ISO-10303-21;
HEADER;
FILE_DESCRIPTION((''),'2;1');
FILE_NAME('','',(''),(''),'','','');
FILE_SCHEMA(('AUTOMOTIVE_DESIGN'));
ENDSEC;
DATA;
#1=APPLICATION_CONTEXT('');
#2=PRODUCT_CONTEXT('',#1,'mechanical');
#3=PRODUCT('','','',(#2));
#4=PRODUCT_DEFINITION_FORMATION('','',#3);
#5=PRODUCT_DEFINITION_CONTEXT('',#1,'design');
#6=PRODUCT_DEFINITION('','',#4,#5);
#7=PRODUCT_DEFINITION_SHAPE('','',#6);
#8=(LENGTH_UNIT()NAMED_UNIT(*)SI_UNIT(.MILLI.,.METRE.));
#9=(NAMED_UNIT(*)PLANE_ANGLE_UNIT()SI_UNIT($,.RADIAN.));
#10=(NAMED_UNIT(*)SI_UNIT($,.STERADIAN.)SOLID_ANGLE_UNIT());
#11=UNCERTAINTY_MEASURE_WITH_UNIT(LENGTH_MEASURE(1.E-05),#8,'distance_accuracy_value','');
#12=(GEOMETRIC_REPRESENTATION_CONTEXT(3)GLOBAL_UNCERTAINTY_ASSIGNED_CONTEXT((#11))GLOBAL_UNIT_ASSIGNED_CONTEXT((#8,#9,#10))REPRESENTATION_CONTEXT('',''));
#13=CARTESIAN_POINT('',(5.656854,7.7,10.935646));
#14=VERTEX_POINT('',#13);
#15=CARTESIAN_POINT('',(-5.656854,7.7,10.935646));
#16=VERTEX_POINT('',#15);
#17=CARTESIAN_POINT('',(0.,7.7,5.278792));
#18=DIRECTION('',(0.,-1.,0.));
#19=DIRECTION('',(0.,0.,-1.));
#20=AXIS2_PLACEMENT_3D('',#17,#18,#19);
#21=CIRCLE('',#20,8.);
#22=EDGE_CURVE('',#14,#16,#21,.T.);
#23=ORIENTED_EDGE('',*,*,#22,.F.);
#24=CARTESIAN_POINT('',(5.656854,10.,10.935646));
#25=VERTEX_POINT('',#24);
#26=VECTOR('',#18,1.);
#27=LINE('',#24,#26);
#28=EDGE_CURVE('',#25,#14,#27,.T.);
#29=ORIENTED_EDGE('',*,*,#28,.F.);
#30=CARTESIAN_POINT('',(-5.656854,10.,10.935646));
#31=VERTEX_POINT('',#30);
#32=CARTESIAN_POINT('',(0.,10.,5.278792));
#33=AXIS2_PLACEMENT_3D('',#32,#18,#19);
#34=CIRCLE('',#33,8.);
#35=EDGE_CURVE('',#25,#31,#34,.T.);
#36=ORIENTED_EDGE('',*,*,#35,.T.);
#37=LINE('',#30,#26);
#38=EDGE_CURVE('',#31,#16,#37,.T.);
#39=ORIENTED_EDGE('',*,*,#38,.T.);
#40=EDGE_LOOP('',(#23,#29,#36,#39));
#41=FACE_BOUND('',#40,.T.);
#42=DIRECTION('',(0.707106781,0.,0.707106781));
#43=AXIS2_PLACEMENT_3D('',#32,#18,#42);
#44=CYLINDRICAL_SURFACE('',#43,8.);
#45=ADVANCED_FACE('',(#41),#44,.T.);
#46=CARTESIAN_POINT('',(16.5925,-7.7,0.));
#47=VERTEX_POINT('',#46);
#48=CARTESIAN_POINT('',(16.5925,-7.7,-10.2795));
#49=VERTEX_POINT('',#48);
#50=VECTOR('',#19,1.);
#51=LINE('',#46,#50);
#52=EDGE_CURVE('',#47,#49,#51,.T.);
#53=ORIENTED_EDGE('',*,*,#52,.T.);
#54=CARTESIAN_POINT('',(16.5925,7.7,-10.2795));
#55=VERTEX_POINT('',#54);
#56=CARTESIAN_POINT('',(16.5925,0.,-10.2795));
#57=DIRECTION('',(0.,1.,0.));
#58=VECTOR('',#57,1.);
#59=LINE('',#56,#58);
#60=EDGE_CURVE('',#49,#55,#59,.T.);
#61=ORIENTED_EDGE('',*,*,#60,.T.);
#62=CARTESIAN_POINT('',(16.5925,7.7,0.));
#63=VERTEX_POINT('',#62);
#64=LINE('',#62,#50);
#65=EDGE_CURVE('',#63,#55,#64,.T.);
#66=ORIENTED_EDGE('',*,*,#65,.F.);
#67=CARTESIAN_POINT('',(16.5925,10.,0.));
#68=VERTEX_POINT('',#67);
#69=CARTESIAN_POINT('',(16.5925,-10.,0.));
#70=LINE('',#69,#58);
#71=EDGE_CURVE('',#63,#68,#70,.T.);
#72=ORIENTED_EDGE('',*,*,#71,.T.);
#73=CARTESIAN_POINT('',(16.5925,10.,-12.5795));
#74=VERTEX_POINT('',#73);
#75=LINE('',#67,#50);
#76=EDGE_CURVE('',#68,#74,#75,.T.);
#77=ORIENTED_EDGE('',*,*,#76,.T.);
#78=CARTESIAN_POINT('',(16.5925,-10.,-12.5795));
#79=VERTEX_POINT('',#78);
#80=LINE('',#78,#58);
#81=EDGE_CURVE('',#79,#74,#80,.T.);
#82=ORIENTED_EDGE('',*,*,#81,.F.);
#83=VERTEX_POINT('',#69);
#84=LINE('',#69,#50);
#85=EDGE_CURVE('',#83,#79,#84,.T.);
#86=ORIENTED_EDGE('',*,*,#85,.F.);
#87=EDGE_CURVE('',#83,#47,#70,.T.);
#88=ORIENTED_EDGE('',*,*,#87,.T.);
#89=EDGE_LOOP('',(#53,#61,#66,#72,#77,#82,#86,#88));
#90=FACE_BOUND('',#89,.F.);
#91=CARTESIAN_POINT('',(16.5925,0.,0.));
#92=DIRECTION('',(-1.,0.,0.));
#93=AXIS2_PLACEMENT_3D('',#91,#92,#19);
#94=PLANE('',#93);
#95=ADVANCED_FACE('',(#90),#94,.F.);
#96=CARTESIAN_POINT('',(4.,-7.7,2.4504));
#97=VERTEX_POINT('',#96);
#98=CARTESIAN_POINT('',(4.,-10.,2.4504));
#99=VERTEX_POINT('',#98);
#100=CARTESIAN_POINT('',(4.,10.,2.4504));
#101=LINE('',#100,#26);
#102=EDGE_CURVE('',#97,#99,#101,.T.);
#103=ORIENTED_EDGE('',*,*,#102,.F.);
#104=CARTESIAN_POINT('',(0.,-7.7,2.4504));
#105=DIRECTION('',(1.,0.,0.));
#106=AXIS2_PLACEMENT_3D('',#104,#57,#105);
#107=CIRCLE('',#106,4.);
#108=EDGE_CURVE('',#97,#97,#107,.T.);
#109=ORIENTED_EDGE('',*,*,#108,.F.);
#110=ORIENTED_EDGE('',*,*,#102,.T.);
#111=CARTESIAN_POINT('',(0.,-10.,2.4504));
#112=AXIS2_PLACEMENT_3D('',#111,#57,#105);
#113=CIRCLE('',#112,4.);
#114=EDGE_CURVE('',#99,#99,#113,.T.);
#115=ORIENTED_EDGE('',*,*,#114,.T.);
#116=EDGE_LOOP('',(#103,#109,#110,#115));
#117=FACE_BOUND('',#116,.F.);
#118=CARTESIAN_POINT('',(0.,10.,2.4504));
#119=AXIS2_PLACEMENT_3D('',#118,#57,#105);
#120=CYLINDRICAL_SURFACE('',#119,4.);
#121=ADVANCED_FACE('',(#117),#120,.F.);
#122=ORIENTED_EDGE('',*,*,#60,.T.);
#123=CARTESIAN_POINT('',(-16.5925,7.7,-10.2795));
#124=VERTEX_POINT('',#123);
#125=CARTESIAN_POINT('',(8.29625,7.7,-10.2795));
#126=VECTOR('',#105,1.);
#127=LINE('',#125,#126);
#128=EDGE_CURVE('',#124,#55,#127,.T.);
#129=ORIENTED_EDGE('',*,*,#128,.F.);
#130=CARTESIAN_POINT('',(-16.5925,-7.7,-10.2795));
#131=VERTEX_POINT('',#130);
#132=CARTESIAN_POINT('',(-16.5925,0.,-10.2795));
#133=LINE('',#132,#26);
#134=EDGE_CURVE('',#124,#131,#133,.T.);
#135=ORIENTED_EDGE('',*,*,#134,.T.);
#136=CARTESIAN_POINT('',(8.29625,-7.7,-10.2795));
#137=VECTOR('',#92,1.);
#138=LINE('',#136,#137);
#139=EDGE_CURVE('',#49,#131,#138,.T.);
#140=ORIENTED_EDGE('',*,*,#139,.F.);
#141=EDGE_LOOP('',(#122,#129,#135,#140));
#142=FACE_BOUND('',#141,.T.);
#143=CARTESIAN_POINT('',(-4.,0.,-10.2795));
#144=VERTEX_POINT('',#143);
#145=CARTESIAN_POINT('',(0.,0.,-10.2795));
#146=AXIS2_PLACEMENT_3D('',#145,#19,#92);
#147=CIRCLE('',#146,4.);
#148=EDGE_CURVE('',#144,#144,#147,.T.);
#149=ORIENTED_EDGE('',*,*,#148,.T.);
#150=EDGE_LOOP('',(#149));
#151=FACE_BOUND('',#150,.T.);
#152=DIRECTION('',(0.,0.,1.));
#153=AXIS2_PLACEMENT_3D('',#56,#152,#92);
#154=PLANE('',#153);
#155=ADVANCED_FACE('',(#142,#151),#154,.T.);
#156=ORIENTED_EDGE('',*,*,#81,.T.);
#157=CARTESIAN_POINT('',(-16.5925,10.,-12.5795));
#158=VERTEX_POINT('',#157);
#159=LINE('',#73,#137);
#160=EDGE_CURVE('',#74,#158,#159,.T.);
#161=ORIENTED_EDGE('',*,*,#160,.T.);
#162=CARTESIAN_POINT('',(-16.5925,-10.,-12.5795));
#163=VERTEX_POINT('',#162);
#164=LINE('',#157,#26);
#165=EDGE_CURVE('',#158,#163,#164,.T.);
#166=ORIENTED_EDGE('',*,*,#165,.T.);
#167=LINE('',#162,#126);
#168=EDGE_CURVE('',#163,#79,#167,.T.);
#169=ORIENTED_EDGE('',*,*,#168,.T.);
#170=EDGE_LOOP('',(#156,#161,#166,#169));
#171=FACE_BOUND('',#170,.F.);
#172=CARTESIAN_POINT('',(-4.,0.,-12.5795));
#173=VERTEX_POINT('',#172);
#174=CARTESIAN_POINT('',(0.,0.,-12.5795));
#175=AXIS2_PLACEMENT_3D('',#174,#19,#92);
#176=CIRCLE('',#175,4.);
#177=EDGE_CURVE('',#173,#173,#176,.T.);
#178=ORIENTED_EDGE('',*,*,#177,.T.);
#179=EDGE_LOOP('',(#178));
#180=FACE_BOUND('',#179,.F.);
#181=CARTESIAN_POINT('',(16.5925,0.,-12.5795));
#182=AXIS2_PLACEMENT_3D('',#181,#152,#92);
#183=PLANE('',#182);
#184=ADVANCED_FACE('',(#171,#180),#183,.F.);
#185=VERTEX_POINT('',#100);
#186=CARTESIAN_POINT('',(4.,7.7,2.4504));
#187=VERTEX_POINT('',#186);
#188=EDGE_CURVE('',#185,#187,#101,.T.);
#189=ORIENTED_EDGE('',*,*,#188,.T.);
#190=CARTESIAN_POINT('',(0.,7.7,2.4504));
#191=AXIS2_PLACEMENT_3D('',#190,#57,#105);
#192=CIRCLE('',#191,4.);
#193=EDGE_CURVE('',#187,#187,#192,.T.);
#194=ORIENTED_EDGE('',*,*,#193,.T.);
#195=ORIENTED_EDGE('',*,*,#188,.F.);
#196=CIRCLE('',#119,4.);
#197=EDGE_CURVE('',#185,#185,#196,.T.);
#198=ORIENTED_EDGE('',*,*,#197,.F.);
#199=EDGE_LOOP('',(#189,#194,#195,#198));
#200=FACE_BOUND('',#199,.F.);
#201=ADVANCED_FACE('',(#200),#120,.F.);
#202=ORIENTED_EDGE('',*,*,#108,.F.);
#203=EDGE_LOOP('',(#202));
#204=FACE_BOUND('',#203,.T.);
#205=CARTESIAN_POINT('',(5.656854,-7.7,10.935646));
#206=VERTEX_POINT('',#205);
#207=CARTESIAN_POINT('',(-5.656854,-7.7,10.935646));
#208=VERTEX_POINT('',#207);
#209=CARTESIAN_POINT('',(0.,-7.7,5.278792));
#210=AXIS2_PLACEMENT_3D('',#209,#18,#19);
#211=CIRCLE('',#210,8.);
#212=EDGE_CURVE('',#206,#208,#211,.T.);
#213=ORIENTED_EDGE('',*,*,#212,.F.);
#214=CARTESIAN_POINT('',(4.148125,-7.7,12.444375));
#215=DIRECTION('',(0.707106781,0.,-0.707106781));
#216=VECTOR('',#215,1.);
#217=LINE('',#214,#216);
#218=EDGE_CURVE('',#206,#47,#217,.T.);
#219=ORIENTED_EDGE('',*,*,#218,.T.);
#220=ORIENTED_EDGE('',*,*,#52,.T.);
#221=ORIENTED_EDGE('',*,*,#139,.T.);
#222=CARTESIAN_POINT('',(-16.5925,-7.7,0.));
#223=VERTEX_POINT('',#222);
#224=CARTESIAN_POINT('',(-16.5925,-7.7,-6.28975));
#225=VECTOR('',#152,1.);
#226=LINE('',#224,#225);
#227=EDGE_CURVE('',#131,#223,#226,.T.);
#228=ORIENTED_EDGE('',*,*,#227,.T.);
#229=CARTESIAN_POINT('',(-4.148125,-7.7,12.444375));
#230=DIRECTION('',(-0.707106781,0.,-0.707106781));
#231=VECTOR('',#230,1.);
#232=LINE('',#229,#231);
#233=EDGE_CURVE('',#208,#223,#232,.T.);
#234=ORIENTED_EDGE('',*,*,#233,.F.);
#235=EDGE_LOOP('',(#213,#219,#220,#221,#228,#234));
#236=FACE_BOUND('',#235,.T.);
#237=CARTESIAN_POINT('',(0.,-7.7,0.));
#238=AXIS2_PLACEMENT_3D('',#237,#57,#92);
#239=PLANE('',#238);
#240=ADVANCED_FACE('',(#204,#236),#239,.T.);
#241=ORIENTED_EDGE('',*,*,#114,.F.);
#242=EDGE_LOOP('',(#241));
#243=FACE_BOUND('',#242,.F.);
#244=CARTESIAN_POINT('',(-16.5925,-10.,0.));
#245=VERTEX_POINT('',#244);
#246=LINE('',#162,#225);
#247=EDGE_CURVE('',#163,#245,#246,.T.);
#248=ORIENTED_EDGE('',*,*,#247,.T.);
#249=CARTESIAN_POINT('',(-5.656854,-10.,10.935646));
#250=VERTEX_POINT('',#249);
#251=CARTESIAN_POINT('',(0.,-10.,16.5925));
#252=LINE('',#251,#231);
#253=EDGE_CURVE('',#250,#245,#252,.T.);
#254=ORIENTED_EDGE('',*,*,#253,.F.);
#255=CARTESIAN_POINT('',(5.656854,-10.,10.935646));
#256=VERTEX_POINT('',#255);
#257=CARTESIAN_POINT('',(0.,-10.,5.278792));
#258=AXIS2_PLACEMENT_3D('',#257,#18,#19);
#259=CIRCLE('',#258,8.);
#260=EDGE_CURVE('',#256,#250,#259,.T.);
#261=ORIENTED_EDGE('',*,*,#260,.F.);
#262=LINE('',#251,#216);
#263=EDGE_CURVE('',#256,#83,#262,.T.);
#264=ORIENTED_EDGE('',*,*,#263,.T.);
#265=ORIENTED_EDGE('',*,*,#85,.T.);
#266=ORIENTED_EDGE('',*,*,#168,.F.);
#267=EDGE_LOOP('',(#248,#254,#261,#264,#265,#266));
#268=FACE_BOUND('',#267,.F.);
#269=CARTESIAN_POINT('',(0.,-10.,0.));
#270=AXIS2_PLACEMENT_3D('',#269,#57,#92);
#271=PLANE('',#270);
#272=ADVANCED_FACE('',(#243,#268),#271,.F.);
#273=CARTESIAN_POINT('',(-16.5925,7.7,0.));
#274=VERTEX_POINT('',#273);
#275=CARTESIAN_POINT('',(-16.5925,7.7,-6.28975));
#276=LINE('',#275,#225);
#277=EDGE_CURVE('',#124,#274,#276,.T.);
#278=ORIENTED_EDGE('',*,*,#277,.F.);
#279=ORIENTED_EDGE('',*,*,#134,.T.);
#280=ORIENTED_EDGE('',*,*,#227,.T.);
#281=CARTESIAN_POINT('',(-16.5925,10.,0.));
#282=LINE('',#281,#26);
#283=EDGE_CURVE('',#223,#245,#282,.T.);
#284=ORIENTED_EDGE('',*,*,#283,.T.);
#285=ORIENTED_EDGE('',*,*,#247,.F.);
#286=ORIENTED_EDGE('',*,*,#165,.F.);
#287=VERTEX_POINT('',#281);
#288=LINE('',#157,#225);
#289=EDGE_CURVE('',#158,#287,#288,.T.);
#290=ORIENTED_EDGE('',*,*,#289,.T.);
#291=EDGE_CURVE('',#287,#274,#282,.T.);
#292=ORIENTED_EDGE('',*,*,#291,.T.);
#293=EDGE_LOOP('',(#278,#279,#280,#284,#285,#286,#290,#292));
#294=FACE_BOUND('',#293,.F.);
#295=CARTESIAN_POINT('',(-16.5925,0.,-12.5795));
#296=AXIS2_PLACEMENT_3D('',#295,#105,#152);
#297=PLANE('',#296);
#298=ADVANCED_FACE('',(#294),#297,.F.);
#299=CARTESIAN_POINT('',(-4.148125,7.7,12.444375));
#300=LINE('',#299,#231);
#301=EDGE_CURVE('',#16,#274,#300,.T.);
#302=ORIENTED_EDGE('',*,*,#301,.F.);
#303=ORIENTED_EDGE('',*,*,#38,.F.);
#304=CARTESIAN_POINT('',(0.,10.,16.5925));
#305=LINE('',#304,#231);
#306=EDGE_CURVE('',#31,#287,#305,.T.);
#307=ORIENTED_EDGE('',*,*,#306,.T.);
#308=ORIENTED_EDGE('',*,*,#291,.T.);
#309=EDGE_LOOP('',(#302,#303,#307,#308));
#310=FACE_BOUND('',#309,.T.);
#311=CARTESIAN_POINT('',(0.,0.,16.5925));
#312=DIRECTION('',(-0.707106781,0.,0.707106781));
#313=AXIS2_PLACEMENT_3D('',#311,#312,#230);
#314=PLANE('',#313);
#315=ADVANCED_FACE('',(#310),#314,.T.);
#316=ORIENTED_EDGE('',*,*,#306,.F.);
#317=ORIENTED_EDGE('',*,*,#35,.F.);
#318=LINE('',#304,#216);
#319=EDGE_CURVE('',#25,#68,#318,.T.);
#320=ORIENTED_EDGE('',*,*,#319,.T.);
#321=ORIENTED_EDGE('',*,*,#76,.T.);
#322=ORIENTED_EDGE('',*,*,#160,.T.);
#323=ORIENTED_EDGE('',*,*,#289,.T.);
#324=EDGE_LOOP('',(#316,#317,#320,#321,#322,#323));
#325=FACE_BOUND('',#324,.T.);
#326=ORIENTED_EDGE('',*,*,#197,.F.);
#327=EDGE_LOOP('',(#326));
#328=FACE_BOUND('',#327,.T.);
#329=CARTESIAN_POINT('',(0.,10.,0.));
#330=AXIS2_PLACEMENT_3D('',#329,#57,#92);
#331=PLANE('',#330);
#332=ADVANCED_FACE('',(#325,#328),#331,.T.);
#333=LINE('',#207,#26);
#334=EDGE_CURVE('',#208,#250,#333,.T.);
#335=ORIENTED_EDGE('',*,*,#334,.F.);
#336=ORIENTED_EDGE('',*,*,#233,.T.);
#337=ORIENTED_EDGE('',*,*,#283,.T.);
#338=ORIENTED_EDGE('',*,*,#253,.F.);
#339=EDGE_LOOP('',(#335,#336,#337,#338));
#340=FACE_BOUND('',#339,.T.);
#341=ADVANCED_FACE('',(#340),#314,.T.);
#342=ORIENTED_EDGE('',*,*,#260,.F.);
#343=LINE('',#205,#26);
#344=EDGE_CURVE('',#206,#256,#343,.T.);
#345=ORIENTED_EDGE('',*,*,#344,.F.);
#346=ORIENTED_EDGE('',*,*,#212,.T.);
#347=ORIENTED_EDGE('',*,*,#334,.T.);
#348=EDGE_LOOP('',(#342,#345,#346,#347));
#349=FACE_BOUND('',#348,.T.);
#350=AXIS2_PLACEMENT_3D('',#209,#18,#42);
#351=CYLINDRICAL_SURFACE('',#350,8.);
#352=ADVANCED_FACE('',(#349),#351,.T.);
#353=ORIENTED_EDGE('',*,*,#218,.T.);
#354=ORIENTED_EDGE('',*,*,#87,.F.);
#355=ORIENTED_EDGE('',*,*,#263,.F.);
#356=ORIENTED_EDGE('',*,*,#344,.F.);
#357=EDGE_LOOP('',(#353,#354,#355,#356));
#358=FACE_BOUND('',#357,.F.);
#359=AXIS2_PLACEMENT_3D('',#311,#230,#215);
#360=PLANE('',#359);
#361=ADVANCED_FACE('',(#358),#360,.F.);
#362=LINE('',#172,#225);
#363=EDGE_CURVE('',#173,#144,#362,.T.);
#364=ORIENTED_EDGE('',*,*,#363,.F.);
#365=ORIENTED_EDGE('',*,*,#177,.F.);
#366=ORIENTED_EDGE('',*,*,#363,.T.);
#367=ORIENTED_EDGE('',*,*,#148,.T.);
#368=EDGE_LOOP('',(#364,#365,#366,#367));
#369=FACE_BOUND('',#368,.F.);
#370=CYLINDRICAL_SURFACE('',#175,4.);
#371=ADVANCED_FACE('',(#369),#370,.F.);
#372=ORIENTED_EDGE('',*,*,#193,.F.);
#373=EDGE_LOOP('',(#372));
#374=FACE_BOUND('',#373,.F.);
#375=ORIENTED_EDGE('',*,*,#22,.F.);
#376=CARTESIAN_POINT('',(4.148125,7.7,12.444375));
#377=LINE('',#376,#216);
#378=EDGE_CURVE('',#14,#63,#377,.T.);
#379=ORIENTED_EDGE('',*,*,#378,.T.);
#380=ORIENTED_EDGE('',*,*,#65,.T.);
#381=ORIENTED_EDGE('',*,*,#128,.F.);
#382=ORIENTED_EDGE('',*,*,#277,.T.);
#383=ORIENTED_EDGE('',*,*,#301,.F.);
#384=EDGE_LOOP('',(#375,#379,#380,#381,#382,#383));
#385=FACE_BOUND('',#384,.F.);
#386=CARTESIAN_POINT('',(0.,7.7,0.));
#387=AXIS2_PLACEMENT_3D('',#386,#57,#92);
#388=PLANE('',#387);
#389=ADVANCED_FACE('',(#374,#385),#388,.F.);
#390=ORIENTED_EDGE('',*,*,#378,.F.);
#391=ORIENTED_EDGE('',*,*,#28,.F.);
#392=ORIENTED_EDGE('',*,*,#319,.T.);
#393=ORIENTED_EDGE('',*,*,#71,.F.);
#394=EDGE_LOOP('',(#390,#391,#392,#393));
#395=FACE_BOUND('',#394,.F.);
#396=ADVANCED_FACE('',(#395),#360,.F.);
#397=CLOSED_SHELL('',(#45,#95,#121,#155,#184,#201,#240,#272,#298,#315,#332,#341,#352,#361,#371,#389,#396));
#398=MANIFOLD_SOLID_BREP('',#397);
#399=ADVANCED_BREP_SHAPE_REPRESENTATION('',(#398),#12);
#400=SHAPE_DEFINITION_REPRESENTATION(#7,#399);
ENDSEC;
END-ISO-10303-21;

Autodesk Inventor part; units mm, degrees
ref_plane "YZ Plane" through (0, 0, 0) normal (1, 0, 0) x (0, 1, 0)
ref_plane "XZ Plane" through (0, 0, 0) normal (0, 1, 0) x (-1, 0, 0)
ref_plane "XY Plane" through (0, 0, 0) normal (0, 0, 1) x (1, 0, 0)
sketch "スケッチ1" plane through (0, 0, 0) normal (0, 1, 0) x (-1, 0, 0)
  line L0 (0, 16.5925) -> (16.5925, 0)
  line L1 (0, 16.5925) -> (-16.5925, 0)
  line L2 (-16.5925, 0) -> (-16.5925, -12.5795)
  line L3 (-16.5925, -12.5795) -> (16.5925, -12.5795)
  line L4 (16.5925, -12.5795) -> (16.5925, 0)
  line L5 (0, -18.4139) -> (0, 22.427) projected
  line L6 (23.2296, 0) -> (-23.2296, 0) projected
  point P0 (0, 0)
  point P1 (0, -12.5795)
  dimension "d0" = 90
extrude "押し出し1" add sketch "スケッチ1" along normal mid plane 20
shell "シェル1" thickness 2.3 removed faces 4 at (-11.0617, 3.3333, 5.5308) at (-16.5925, 3.3333, -8.3863) at (5.5308, 3.3333, 11.0617) at (16.5925, 3.3333, -4.1932)
sketch "スケッチ3" plane through (16.5925, 10, -12.5795) normal (0, 0, -1) x (-1, 0, 0)
  circle A0 centre (16.5925, -10) radius 4
  dimension "d9" = 8
extrude "押し出し3" cut sketch "スケッチ3" against normal through all
sketch "スケッチ4" plane through (0, 10, 0) normal (0, 1, 0) x (1, 0, 0)
  circle A0 centre (0, -2.4504) radius 4
  line L0 (0, -16.5925) -> (16.5925, 0) projected
  line L1 (-16.5925, 0) -> (0, -16.5925) projected
  point P0 (0, 0)
  dimension "d12" = 10
  dimension "d13" = 10
  dimension "d14" = 8
extrude "押し出し4" cut sketch "スケッチ4" against normal through all
fillet "フィレット1" radius 8 2 edges at (0, 8.85, 16.5925) (0, -8.85, 16.5925)
properties part number "clip" material "アルミニウム 6061"
